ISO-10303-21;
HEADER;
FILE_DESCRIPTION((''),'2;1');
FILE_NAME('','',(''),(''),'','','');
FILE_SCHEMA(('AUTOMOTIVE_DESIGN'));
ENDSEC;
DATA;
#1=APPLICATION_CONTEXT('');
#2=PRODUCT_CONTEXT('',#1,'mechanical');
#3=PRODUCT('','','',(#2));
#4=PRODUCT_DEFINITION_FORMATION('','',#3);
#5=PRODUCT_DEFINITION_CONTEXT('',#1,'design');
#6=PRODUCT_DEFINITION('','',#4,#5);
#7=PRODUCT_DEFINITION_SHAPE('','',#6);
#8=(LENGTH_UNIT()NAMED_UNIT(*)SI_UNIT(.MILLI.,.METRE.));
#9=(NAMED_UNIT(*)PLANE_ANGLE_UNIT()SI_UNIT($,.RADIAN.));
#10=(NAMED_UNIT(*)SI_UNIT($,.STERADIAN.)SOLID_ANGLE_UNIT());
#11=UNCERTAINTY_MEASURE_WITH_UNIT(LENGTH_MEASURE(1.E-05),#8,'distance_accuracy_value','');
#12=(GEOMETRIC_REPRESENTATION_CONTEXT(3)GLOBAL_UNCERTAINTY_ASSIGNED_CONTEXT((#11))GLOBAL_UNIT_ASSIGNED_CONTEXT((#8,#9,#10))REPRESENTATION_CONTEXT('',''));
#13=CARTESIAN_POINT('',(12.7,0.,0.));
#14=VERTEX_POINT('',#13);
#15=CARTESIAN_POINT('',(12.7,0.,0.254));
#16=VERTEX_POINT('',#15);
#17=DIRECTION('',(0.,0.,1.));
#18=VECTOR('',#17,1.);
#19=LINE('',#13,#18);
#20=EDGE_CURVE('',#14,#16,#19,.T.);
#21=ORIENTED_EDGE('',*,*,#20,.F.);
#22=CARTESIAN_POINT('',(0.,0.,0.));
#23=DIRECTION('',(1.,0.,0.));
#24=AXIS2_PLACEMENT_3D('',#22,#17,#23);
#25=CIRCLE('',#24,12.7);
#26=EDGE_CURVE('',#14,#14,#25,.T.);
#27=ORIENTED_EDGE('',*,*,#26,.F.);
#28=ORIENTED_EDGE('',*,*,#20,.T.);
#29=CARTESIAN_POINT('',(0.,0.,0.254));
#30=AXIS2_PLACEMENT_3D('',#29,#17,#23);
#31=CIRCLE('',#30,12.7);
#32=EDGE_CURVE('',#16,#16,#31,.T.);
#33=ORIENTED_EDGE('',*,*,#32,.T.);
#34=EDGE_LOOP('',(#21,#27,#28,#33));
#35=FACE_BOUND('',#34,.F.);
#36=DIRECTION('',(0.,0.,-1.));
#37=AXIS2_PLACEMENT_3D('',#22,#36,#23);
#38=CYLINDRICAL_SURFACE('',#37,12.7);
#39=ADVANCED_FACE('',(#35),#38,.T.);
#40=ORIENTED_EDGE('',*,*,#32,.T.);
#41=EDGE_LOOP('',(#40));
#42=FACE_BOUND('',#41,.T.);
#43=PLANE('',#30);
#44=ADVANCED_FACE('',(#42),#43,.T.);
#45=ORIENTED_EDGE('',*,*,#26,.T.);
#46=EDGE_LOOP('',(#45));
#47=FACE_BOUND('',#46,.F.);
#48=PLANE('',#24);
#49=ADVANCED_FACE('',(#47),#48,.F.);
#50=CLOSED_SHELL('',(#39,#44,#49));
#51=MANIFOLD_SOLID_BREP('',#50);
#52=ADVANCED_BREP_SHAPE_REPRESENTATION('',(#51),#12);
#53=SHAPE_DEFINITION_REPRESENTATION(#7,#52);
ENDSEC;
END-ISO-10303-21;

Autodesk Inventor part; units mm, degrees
ref_plane "YZ Plane" through (0, 0, 0) normal (1, 0, 0) x (0, 1, 0)
ref_plane "XZ Plane" through (0, 0, 0) normal (0, 1, 0) x (-1, 0, 0)
ref_plane "XY Plane" through (0, 0, 0) normal (0, 0, 1) x (1, 0, 0)
sketch "Sketch1" plane through (0, 0, 0) normal (0, 0, 1) x (1, 0, 0)
  circle A0 centre (0, 0) radius 12.7
  dimension "d0" = 25.4
extrude "Extrusion1" add sketch "Sketch1" along normal blind 0.254
properties part number "1inFilterInsert"
